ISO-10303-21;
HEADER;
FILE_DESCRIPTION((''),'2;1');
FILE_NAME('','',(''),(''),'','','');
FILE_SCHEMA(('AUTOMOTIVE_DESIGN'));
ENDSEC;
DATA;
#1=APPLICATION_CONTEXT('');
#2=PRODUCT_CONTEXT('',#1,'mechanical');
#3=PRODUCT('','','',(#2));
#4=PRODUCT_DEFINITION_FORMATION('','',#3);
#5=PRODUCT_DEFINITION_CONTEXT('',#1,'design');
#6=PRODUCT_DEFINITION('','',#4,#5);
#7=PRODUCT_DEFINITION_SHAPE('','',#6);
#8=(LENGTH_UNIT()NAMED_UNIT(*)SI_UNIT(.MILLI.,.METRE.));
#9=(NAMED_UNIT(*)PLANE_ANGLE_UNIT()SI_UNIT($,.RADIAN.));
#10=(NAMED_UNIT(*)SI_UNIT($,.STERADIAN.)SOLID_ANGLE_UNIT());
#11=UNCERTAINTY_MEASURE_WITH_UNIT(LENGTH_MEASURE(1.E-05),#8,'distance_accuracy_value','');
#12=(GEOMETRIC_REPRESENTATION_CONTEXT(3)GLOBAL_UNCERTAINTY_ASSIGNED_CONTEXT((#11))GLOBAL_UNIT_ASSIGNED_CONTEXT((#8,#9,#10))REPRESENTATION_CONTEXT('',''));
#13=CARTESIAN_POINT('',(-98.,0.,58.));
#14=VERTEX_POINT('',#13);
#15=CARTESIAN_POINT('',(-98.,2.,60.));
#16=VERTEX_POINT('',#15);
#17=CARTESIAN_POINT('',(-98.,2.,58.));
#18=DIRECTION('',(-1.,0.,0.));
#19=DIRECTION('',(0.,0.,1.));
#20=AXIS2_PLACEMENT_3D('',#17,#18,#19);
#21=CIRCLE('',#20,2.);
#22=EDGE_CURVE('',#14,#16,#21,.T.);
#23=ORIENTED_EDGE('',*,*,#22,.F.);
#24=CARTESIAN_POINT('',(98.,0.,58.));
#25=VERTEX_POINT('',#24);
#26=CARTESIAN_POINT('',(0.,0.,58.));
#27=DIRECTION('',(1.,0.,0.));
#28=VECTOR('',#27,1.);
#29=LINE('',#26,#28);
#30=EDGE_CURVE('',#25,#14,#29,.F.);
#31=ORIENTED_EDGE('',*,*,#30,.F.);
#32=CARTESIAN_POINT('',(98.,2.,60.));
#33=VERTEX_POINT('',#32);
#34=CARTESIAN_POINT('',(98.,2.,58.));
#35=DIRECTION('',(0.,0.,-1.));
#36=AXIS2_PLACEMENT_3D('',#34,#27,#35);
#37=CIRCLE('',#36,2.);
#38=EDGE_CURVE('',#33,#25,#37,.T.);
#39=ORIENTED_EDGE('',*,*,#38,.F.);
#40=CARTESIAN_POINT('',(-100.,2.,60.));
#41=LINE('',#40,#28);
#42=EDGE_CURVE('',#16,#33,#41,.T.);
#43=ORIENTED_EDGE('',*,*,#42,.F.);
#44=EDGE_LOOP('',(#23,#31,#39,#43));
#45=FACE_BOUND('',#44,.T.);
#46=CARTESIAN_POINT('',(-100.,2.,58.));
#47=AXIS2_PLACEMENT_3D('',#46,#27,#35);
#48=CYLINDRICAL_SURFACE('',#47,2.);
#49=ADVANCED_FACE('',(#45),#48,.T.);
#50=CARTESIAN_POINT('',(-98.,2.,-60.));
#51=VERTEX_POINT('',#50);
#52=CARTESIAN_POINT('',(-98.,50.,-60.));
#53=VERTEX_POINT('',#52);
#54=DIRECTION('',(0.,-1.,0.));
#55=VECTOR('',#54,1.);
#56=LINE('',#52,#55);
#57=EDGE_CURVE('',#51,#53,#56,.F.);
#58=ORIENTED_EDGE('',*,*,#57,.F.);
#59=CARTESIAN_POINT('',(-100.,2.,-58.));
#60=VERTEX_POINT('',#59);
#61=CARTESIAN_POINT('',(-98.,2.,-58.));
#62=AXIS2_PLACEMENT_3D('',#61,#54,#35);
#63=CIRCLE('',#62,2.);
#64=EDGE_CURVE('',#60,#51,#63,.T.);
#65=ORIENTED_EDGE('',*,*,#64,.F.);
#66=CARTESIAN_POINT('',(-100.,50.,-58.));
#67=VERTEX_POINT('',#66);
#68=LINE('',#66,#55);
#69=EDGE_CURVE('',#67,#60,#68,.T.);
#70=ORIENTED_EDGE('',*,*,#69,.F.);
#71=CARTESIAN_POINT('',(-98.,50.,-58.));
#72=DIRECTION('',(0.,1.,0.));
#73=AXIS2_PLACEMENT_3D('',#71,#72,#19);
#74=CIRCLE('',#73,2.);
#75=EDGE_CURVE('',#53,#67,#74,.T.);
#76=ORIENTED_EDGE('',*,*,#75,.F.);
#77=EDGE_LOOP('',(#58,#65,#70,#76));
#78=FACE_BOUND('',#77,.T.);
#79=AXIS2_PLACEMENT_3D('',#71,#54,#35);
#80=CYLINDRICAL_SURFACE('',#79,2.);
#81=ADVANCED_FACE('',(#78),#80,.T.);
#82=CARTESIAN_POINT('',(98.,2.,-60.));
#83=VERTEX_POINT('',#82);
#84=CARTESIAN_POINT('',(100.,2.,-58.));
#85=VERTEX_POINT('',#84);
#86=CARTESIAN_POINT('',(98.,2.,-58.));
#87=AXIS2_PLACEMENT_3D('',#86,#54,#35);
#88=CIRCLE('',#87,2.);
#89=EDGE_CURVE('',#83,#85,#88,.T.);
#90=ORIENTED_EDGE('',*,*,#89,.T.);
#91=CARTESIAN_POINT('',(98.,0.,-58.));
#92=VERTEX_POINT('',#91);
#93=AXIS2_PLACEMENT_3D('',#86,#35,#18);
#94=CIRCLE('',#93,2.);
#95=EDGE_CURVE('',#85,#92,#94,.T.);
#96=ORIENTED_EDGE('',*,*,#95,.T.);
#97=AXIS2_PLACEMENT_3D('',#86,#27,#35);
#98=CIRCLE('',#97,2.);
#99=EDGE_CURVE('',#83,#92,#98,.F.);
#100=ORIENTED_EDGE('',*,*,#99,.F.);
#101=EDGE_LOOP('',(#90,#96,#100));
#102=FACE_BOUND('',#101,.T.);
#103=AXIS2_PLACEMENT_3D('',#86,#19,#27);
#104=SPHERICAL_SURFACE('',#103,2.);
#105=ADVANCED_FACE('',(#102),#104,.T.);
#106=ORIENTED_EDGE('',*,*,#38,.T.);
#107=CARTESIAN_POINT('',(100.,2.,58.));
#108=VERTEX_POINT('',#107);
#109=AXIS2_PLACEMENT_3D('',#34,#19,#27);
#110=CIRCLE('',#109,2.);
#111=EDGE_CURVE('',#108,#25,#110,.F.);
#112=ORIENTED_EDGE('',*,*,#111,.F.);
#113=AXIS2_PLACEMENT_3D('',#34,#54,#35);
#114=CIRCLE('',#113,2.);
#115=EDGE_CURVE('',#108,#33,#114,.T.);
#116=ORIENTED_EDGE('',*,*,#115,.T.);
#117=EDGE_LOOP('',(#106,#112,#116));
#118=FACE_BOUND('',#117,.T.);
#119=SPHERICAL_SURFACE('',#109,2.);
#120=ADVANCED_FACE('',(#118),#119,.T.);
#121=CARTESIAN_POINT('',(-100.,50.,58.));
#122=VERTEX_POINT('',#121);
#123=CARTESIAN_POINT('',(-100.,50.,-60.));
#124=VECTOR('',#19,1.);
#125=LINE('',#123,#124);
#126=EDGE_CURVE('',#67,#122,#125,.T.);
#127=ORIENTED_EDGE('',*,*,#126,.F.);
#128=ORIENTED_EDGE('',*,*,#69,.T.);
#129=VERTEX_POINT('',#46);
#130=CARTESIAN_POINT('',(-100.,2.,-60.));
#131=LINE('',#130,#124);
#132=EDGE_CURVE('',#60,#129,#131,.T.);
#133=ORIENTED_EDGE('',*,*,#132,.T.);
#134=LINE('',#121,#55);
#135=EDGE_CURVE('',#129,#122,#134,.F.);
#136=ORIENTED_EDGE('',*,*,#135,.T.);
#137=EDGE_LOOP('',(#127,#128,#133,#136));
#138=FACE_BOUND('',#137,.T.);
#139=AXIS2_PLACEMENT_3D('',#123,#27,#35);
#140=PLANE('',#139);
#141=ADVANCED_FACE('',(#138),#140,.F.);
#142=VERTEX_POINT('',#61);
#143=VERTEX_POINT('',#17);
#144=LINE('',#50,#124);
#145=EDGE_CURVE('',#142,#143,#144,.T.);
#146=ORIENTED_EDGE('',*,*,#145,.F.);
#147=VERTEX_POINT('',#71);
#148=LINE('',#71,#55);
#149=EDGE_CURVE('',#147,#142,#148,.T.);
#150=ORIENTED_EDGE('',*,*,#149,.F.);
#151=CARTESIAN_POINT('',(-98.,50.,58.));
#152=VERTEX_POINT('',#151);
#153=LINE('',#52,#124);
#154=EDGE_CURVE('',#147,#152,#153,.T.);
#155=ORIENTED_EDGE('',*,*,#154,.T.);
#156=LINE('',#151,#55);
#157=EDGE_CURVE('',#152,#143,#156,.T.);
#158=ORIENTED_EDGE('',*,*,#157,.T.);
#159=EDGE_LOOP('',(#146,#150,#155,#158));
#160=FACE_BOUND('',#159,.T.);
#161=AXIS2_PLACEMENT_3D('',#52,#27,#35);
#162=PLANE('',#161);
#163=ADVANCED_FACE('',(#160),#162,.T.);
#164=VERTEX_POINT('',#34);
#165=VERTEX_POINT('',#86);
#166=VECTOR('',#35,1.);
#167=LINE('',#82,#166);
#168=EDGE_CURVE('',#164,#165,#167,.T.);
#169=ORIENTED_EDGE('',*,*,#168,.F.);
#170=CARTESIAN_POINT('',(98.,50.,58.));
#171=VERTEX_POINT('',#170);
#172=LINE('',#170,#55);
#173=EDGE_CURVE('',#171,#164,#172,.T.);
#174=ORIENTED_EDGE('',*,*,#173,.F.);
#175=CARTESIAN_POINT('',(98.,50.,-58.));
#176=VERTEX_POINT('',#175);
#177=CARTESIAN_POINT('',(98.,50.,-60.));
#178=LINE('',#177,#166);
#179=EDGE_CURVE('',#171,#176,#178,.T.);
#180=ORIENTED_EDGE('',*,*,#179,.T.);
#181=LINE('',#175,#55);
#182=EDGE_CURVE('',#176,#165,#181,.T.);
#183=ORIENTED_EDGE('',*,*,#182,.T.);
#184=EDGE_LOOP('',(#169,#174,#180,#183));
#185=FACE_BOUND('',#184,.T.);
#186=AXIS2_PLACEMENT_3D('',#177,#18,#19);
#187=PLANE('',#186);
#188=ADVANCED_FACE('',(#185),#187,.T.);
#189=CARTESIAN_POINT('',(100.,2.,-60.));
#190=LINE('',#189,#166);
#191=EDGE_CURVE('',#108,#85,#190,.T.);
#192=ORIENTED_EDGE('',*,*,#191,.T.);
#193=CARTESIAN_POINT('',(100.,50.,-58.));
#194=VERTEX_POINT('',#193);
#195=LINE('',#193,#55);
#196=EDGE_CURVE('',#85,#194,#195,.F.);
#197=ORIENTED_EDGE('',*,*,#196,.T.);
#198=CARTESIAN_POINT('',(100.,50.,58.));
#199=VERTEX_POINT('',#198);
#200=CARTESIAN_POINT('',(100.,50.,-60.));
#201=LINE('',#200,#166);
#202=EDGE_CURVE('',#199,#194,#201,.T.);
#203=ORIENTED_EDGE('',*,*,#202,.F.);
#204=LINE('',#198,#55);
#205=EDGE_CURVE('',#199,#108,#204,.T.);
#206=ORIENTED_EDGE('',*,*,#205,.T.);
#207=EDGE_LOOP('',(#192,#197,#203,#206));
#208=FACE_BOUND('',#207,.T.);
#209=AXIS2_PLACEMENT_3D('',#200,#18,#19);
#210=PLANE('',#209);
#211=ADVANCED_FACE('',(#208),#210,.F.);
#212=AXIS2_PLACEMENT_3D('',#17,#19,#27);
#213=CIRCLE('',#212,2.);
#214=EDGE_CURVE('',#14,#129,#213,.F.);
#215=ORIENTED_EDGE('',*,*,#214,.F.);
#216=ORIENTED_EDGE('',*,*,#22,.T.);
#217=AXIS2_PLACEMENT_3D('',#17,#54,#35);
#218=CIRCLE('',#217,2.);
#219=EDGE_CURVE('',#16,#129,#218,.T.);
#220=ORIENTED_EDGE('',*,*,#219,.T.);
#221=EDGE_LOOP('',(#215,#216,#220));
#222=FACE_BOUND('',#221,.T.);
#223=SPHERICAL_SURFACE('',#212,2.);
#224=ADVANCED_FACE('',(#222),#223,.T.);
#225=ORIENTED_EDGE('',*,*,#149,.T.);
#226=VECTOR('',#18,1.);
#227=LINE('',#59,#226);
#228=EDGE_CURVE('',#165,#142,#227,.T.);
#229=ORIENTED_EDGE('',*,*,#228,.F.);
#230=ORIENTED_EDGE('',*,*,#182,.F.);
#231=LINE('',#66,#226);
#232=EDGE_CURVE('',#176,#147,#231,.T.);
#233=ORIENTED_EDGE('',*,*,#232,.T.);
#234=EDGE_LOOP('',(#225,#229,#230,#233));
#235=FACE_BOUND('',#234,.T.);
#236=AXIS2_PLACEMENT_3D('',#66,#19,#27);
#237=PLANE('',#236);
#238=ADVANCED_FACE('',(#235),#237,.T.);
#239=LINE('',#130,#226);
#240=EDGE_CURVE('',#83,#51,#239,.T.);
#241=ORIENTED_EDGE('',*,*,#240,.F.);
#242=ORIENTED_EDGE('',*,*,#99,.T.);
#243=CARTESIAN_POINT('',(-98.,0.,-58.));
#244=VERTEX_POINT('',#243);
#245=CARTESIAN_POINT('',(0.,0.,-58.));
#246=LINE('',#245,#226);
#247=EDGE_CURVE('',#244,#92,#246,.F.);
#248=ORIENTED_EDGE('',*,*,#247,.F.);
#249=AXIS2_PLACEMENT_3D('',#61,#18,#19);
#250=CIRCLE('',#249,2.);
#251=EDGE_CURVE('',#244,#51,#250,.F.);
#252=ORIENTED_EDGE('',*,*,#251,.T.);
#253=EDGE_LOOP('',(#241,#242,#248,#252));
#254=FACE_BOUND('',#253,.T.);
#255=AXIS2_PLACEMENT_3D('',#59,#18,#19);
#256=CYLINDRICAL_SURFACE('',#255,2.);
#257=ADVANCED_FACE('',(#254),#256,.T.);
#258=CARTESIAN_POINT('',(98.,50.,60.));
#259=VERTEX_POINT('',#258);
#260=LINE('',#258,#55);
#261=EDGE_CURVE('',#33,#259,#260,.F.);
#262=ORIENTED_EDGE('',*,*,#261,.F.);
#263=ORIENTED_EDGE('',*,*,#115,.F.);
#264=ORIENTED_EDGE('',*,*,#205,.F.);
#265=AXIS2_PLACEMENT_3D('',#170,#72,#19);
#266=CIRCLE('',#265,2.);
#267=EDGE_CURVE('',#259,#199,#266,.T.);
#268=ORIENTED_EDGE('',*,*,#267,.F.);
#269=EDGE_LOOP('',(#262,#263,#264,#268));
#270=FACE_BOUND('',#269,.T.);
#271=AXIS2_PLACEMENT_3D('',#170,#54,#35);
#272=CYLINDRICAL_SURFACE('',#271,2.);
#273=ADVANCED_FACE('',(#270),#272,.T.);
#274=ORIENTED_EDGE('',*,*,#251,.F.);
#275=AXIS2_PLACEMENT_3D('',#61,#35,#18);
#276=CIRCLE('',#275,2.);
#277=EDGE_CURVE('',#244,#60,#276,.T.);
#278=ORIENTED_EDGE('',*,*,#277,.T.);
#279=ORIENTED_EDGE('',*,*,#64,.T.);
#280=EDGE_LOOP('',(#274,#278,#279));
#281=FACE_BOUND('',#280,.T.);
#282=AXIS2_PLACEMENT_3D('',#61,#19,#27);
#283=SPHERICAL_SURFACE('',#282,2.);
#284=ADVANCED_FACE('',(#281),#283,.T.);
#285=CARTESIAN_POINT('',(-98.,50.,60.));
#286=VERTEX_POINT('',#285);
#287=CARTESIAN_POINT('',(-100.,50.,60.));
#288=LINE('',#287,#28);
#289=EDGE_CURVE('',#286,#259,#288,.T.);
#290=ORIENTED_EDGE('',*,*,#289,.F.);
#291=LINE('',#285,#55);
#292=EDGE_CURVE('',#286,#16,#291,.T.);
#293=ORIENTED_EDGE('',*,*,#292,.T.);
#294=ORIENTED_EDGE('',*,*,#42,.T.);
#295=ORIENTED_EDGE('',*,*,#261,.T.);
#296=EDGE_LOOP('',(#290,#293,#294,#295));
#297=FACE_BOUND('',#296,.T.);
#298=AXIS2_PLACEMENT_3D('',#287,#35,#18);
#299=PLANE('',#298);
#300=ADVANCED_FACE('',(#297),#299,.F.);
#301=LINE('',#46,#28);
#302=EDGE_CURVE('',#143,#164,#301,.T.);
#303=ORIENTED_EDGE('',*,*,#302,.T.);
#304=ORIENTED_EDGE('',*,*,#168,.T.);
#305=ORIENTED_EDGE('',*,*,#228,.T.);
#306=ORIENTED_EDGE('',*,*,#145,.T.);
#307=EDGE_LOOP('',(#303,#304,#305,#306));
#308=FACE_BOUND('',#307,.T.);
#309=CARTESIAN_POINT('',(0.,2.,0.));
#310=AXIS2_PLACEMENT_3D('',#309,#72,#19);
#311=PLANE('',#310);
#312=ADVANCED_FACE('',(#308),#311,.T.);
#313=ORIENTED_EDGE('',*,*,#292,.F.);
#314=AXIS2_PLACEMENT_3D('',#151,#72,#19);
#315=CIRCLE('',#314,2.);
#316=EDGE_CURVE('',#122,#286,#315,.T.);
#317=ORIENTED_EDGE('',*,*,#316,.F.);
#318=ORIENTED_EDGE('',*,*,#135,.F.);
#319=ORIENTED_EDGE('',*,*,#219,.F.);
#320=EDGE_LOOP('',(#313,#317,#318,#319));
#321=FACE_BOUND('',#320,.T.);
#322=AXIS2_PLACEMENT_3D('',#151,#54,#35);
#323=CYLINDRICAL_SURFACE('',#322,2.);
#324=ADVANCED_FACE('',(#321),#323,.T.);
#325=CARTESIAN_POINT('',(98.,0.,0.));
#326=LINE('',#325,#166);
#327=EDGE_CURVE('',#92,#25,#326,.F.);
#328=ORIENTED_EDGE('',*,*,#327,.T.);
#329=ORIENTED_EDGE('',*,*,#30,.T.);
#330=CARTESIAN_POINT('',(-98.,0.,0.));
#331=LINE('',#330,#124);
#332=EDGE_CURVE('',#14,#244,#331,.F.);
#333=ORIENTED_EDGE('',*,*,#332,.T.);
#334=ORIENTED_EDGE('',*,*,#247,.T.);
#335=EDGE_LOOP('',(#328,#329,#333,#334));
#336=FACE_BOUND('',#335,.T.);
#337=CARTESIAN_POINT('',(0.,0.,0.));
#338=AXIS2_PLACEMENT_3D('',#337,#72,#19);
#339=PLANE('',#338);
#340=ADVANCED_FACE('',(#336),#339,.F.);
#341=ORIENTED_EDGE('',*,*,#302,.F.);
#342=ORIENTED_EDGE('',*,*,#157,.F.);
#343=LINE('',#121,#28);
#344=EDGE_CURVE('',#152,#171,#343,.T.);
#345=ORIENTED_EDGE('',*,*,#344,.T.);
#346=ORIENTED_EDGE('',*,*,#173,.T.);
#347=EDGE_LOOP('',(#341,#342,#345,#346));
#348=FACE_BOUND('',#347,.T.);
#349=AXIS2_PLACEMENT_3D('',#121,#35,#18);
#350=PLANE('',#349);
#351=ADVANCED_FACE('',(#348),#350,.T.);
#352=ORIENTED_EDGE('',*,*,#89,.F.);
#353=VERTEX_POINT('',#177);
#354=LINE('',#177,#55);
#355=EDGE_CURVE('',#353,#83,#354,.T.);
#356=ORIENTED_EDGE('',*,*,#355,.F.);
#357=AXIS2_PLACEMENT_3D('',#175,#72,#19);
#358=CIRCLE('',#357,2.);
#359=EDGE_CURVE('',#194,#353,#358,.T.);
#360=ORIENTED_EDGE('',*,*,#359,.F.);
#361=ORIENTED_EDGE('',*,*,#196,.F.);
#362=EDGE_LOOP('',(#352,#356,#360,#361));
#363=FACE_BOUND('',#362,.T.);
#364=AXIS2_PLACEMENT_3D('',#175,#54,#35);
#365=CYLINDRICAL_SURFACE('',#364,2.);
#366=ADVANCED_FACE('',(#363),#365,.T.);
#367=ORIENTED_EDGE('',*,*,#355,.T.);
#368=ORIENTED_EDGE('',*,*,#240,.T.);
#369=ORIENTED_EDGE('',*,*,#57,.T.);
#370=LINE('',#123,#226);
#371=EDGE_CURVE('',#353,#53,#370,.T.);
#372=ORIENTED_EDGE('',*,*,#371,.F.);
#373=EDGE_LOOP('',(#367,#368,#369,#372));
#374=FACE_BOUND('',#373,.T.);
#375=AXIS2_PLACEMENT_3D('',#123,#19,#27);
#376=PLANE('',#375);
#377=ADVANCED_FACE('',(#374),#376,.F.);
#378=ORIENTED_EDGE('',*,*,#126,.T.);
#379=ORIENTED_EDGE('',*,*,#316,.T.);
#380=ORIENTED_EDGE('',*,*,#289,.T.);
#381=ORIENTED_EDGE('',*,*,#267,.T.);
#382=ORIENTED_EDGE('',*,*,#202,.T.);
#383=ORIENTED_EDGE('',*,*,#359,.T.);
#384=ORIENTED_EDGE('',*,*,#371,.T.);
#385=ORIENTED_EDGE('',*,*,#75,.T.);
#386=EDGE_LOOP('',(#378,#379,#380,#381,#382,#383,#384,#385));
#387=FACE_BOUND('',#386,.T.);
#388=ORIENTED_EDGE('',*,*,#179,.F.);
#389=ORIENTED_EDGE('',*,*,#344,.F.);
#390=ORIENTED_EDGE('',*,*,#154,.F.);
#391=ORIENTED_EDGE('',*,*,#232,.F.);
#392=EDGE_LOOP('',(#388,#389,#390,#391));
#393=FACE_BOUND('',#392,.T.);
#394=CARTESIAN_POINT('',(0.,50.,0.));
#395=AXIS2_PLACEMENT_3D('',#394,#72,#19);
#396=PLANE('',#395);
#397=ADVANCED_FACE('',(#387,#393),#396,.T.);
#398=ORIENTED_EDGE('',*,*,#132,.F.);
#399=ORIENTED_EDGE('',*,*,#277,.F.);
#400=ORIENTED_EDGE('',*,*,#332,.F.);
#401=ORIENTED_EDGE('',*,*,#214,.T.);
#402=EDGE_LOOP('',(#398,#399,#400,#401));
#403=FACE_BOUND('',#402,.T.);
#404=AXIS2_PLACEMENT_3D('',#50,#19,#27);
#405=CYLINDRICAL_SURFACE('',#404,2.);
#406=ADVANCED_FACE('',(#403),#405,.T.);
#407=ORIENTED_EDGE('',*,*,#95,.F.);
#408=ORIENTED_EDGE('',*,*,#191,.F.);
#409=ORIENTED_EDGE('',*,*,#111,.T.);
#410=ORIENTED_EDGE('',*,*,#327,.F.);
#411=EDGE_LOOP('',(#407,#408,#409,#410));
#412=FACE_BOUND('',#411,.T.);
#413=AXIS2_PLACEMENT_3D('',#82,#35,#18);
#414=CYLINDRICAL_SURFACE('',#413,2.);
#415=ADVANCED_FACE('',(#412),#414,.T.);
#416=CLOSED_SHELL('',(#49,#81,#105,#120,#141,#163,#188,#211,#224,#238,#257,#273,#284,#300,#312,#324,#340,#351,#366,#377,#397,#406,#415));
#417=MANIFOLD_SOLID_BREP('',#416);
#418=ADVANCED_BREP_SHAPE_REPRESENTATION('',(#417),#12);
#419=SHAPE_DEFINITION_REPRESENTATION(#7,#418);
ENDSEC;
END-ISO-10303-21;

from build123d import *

# Parameters (mm, degrees)
SKETCH1_W           = 200
SKETCH1_H           = 120
BOSS_EXTRUDE1_DEPTH = 50
SHELL2_T            = -2
FILLET1_R           = 2


with BuildPart() as part:
    # Sketch1 → Boss-Extrude1 (new body)
    with BuildSketch(Plane(origin=(0, 0, 0), x_dir=(1, 0, 0), z_dir=(0, 1, 0))):
        Rectangle(SKETCH1_W, SKETCH1_H)
    extrude(amount=BOSS_EXTRUDE1_DEPTH)

    # Shell2
    shell2_openings = [part.faces().sort_by_distance(p)[0] for p in [
        (0, 50, 0),
    ]]
    offset(amount=SHELL2_T, openings=shell2_openings, kind=Kind.INTERSECTION)

    # Fillet1
    fillet1_edges = [part.edges().sort_by_distance(p)[0] for p in [
        (0, 0, 60),
        (-100, 0, 0),
        (0, 0, -60),
        (100, 0, 0),
        (100, 25, 60),
        (-100, 25, 60),
        (-100, 25, -60),
        (100, 25, -60),
    ]]
    fillet(fillet1_edges, radius=FILLET1_R)


solid = part.part
